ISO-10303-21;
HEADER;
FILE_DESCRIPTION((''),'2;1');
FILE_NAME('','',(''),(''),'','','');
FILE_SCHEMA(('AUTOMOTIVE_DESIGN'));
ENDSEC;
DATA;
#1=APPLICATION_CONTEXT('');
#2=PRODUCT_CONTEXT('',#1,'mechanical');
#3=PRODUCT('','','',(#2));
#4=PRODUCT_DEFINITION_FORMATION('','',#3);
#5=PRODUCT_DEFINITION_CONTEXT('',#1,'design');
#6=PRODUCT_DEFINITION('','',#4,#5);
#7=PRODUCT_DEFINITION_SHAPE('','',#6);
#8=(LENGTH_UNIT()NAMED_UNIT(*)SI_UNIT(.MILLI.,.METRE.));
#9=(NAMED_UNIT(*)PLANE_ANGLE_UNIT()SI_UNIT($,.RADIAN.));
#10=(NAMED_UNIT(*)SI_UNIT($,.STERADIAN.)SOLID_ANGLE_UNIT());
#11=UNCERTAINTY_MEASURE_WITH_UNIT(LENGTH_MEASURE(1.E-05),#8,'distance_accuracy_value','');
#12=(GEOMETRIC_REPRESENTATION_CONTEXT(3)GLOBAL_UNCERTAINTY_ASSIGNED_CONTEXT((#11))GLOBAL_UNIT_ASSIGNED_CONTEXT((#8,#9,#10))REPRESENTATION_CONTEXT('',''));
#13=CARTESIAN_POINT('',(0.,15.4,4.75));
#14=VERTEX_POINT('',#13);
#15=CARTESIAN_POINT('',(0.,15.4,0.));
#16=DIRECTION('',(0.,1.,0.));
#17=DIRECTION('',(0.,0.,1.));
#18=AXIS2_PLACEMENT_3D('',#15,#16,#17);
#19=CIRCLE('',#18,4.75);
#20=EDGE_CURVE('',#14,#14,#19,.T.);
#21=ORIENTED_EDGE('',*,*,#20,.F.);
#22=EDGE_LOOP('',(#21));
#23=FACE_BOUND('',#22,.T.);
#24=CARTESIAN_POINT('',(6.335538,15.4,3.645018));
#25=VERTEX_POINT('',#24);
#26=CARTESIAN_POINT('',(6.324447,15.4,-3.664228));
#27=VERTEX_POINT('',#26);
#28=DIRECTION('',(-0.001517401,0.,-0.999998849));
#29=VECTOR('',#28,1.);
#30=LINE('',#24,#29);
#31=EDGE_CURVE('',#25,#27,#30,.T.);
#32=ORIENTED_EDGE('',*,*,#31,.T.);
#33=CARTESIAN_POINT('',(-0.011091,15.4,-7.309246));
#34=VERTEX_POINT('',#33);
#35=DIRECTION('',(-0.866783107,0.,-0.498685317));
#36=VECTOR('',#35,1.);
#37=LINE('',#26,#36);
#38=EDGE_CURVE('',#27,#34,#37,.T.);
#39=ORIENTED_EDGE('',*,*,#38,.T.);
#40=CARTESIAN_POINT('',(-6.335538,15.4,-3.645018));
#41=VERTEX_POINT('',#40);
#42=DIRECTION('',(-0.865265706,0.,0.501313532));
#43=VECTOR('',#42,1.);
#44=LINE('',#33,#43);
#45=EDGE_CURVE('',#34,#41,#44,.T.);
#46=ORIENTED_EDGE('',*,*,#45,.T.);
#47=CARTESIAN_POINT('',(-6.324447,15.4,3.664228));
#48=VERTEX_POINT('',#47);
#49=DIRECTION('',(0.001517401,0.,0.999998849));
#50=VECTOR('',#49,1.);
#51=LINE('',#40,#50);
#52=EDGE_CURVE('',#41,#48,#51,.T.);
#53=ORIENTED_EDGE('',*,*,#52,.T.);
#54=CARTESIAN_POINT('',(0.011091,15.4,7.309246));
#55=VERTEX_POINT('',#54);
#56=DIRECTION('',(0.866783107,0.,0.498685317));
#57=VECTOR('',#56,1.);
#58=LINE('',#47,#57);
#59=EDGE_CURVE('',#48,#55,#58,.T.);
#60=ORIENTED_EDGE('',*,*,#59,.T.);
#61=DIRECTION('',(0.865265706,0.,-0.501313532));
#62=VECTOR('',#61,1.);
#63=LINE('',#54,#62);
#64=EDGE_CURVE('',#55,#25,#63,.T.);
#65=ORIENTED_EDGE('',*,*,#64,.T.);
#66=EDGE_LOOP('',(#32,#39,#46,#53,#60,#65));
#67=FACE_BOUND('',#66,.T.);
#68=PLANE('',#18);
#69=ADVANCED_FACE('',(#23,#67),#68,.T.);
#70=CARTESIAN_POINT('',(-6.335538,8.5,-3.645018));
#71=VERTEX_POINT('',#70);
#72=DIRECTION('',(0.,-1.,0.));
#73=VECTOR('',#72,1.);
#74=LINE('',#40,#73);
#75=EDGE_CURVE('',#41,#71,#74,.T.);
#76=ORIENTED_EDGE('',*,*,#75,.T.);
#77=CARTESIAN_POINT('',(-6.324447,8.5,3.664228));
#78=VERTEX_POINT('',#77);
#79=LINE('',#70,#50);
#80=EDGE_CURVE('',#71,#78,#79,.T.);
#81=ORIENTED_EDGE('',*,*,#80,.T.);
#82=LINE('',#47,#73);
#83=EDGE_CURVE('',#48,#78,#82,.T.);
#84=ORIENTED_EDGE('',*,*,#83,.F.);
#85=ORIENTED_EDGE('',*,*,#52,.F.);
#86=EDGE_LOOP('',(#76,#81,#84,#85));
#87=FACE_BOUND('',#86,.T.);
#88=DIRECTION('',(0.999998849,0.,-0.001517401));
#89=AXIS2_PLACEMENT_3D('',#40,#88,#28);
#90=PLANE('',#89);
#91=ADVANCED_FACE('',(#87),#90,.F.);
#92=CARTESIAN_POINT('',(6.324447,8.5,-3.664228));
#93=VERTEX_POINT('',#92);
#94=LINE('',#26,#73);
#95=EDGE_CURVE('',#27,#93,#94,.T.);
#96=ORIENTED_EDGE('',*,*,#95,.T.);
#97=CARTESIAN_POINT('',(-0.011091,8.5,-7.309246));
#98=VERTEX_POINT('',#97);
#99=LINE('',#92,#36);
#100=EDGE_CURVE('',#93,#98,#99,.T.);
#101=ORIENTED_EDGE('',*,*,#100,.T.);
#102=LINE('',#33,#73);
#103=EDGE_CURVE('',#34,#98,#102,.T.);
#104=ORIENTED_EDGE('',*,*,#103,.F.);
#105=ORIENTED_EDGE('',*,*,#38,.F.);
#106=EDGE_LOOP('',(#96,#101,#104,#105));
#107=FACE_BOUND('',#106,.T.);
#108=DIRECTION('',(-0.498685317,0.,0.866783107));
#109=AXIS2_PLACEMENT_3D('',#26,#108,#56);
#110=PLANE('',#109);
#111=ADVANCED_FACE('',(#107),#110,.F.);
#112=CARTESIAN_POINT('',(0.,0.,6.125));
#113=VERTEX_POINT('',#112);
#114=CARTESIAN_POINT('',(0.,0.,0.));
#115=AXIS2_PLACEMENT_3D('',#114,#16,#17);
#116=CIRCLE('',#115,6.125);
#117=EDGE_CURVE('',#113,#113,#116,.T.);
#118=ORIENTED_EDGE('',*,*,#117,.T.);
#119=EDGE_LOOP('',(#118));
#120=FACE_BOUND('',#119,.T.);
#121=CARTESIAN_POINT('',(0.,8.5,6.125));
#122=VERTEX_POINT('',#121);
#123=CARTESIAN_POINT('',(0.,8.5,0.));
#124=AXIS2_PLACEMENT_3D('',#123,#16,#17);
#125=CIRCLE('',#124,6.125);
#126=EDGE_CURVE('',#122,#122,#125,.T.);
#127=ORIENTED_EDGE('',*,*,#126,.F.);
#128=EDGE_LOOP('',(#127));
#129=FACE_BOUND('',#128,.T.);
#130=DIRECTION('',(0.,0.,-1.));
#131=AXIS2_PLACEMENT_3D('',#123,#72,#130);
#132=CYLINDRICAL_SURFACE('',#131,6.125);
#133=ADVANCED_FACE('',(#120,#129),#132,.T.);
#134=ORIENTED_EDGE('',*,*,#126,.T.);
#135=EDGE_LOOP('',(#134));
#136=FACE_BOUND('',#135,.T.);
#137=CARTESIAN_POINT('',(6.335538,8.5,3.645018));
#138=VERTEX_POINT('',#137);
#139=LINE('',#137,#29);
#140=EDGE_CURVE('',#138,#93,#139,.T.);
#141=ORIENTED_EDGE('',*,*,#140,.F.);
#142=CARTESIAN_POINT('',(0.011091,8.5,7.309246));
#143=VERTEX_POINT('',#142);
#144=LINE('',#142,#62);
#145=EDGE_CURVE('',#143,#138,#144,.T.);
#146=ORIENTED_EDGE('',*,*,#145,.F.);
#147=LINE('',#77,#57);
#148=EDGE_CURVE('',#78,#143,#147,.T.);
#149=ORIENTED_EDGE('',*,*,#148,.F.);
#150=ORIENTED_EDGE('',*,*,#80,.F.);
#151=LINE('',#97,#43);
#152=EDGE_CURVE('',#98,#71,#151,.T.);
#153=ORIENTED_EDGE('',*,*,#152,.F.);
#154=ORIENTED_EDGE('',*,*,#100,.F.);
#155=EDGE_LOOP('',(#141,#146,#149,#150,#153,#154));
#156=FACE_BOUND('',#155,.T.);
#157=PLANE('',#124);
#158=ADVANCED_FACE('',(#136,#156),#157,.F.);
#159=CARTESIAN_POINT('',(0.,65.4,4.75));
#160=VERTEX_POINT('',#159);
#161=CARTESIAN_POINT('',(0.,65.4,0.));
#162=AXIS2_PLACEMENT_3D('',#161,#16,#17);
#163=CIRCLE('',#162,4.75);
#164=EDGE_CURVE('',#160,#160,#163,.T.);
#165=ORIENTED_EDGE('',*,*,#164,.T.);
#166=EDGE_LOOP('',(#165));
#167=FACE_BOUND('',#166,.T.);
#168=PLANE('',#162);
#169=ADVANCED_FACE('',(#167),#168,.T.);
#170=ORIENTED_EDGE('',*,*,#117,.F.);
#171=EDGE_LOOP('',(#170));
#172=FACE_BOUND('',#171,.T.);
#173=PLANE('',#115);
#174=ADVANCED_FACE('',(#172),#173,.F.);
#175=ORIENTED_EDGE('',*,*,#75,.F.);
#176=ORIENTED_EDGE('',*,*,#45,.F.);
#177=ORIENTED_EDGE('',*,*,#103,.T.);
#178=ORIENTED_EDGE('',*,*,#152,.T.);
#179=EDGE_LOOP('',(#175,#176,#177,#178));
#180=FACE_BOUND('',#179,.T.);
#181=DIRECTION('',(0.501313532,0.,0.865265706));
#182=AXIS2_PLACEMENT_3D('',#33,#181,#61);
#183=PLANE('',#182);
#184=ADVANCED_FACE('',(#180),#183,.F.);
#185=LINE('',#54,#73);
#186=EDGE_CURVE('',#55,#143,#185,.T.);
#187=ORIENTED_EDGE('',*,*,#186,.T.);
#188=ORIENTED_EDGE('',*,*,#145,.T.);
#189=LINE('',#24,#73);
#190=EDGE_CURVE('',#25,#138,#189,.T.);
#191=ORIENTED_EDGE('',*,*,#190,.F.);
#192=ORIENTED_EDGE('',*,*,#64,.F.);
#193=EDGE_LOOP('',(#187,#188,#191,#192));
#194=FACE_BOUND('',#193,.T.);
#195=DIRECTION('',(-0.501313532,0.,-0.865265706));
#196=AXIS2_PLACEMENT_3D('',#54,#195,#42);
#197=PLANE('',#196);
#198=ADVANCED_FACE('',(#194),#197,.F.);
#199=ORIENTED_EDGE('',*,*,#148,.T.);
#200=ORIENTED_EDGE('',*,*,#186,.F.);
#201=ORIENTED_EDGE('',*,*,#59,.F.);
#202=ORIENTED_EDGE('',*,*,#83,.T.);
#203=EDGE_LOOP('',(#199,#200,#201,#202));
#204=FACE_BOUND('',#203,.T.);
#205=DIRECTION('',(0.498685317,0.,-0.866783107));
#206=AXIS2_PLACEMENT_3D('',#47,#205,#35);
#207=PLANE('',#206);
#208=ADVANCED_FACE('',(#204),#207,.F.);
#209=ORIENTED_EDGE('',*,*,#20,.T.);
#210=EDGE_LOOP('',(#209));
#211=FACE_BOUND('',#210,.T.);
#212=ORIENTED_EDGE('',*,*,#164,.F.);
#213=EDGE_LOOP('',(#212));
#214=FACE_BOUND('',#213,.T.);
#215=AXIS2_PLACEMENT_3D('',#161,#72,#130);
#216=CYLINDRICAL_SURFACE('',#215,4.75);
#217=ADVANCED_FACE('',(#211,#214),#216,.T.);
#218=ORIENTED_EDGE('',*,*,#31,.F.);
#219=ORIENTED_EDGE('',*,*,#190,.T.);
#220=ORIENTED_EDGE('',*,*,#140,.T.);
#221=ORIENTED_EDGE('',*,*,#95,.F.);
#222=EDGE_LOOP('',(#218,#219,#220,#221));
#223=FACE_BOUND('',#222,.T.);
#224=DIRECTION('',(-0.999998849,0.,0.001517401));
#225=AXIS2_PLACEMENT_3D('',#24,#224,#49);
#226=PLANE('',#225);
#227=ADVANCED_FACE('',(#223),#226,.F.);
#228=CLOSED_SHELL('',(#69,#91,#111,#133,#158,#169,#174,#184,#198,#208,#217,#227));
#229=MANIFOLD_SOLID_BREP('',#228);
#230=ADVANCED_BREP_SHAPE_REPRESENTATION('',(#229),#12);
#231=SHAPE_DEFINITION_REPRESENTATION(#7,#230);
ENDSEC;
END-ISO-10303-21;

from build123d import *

# Parameters (mm, degrees)
SKETCH1_R           = 6.125
BOSS_EXTRUDE1_DEPTH = 8.5
BOSS_EXTRUDE2_DEPTH = 6.9
SKETCH3_R           = 4.75
BOSS_EXTRUDE3_DEPTH = 50


with BuildPart() as part:
    # Sketch1 → Boss-Extrude1 (new body)
    with BuildSketch(Plane(origin=(0, 0, 0), x_dir=(1, 0, 0), z_dir=(0, 1, 0))):
        with Locations(Location((0, 0, 0), (0, 0, 270))):
            Circle(SKETCH1_R)
    extrude(amount=BOSS_EXTRUDE1_DEPTH)

    # Sketch2 → Boss-Extrude2 (add)
    with BuildSketch(Plane(origin=(0, 8.5, 0), x_dir=(1, 0, 0), z_dir=(0, 1, 0))):
        Polygon((6.335538248, -3.645017848), (6.324447178, 3.664228145), (-0.01109107, 7.309245993), (-6.335538248, 3.645017848), (-6.324447178, -3.664228145), (0.01109107, -7.309245993), align=None)
    extrude(amount=BOSS_EXTRUDE2_DEPTH)

    # Sketch3 → Boss-Extrude3 (add)
    with BuildSketch(Plane(origin=(0, 15.4, 0), x_dir=(1, 0, 0), z_dir=(0, 1, 0))):
        with Locations(Location((0, 0, 0), (0, 0, 270))):
            Circle(SKETCH3_R)
    extrude(amount=BOSS_EXTRUDE3_DEPTH)


solid = part.part
